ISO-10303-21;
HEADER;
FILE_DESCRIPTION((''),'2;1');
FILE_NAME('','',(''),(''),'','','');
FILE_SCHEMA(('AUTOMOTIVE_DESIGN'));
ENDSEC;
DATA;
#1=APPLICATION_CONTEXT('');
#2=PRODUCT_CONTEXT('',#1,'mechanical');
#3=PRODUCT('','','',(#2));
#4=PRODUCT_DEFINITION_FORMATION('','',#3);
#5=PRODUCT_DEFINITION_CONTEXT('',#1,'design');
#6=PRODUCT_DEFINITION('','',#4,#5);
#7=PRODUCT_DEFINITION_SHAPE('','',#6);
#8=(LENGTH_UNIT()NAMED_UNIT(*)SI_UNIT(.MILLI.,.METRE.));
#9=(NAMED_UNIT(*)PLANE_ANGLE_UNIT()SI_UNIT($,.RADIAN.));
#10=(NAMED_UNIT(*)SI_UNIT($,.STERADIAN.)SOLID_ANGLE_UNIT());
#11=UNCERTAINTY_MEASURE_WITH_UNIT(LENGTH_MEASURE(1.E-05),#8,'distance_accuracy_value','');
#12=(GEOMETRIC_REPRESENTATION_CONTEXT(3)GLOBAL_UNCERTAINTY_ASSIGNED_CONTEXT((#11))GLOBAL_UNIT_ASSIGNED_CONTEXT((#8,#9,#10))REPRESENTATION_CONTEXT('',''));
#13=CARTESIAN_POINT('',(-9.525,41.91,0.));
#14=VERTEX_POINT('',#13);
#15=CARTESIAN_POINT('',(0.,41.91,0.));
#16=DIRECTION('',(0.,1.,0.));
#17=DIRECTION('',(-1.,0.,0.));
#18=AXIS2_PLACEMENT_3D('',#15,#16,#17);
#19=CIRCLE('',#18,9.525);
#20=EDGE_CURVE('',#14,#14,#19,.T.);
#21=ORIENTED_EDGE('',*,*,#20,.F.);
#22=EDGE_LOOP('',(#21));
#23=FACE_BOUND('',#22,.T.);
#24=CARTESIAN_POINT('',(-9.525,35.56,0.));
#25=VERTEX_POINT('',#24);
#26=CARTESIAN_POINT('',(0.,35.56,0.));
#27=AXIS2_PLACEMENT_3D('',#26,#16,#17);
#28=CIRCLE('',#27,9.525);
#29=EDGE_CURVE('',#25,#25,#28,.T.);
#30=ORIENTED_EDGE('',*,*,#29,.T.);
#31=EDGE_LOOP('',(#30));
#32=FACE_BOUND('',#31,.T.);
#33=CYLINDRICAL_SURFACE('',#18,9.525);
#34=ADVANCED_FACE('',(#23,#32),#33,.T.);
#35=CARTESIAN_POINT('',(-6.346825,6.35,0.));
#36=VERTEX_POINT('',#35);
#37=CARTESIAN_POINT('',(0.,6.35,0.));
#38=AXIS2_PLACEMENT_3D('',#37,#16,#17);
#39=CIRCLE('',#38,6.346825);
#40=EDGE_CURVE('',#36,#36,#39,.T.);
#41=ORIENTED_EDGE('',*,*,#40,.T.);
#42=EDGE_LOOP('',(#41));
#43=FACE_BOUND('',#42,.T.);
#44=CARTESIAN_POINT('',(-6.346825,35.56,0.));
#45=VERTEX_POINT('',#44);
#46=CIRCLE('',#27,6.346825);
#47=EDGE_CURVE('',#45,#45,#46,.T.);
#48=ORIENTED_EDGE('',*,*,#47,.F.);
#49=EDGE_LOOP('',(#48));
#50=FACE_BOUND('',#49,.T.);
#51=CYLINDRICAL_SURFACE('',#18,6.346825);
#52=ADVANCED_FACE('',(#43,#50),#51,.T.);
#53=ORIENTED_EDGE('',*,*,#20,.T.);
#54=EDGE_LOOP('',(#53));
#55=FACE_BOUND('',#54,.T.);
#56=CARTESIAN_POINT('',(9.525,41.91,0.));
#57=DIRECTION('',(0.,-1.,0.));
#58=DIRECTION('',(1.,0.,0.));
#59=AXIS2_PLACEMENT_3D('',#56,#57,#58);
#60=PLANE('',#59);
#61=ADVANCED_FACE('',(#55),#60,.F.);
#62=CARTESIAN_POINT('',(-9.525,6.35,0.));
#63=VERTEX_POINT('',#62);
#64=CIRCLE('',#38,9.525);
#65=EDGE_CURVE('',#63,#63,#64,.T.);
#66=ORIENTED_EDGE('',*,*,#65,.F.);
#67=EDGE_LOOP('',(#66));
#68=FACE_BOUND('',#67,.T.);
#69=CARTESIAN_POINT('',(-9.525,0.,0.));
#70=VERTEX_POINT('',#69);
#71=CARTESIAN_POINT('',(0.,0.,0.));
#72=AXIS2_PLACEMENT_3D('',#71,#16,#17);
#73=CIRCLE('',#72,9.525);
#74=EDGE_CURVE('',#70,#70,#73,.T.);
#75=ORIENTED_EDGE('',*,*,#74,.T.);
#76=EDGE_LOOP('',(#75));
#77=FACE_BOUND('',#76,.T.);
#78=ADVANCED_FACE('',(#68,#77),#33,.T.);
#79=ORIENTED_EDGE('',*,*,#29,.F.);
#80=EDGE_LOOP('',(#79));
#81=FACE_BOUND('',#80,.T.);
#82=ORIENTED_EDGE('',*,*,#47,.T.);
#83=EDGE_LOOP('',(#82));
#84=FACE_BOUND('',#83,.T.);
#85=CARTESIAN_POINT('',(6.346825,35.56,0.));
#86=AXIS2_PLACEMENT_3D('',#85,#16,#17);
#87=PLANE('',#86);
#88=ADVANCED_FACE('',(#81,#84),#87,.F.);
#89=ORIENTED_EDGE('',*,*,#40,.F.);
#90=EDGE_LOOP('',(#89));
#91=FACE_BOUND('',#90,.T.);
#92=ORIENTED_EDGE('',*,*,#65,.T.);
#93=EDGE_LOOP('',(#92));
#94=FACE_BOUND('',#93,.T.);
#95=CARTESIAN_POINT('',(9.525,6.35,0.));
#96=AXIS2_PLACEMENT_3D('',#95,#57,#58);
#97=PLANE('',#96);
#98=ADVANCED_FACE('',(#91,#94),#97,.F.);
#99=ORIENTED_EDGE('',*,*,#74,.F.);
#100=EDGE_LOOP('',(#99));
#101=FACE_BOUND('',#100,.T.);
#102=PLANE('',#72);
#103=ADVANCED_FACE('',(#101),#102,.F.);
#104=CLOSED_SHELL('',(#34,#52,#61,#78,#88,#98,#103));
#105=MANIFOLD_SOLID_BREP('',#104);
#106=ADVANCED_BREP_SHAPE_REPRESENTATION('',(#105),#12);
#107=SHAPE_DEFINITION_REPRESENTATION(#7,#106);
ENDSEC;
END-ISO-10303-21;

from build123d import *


with BuildPart() as part:
    # Sketch1 → Revolve1 (revolve)
    with BuildSketch(Plane.XY):
        Polygon((0, 0), (9.525, 0), (9.525, 6.35), (6.346825, 6.35), (6.346825, 35.56), (9.525, 35.56), (9.525, 41.91), (0, 41.91), align=None)
    revolve(axis=Axis((0, 41.91, 0), (0, -1, 0)))


solid = part.part
